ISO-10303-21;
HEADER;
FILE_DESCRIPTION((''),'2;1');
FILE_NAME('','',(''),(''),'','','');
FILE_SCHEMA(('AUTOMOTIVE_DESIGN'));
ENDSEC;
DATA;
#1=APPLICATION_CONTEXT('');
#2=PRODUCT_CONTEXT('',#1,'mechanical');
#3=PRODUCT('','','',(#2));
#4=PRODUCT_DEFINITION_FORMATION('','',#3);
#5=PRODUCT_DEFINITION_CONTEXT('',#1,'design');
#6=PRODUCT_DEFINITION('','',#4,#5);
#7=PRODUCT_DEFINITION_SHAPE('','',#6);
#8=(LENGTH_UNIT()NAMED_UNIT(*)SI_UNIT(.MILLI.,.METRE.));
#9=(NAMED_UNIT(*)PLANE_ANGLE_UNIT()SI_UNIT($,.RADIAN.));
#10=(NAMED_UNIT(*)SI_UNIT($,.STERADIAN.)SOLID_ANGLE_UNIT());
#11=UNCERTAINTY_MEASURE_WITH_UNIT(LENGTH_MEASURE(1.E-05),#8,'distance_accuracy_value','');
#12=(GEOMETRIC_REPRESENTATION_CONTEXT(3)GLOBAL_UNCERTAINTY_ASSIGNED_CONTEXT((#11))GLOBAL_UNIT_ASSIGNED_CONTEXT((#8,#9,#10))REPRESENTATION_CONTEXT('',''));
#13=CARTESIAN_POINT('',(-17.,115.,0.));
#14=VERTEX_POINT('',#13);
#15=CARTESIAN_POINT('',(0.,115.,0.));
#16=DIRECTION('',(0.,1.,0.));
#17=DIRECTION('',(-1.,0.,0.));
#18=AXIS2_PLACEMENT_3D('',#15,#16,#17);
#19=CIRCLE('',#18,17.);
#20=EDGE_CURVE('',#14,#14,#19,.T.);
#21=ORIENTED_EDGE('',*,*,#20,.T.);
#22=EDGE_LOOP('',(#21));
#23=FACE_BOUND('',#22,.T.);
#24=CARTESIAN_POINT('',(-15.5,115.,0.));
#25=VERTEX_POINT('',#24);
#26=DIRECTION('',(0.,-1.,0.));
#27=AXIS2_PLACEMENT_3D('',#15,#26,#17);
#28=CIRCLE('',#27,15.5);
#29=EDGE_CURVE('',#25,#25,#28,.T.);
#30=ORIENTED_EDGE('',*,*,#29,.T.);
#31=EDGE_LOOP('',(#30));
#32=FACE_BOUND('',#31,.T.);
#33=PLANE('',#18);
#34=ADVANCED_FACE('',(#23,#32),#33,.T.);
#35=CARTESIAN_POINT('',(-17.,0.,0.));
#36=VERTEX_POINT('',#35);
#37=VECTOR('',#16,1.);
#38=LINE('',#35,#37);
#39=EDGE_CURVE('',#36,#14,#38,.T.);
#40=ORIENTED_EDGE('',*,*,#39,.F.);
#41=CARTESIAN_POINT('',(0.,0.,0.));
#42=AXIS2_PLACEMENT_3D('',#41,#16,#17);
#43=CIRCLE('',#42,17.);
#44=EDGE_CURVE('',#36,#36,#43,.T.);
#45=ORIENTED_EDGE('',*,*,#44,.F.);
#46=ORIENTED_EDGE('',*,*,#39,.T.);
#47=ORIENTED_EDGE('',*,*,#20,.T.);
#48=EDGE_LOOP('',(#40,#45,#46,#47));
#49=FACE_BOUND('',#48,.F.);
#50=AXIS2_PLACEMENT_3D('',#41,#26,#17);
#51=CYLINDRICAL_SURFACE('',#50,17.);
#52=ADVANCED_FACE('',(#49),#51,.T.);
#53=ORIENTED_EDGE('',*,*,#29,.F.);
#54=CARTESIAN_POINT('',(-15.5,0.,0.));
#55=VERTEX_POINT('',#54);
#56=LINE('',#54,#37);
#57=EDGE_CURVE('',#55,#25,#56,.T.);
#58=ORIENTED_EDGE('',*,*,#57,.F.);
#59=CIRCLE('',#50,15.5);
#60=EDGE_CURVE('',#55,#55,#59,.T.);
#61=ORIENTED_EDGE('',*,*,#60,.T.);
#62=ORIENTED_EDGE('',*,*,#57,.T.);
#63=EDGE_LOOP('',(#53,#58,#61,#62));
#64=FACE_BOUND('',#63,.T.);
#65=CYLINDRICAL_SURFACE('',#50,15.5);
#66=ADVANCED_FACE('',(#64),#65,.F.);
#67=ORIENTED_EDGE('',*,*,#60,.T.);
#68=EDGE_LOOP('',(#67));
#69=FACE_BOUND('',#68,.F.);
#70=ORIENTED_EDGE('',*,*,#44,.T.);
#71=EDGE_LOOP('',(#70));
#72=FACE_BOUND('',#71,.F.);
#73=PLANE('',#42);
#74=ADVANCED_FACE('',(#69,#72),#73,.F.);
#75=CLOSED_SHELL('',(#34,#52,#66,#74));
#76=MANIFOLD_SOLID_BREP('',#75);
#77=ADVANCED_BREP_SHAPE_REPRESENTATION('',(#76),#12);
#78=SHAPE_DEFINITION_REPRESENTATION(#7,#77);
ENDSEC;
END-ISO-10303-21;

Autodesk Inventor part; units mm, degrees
ref_plane "YZ Plane" through (0, 0, 0) normal (1, 0, 0) x (0, 1, 0)
ref_plane "XZ Plane" through (0, 0, 0) normal (0, 1, 0) x (-1, 0, 0)
ref_plane "XY Plane" through (0, 0, 0) normal (0, 0, 1) x (1, 0, 0)
sketch "Sketch1" plane through (0, 0, 0) normal (0, 1, 0) x (-1, 0, 0)
  circle A0 centre (0, 0) radius 17
  dimension "d0" = 34
extrude "Extrusion1" add sketch "Sketch1" along normal blind 115
shell "Shell1" thickness 1.5 removed faces 2 at (6.0401, 0, -5.7878) at (6.0401, 115, -5.7878)
properties part number "tubo_coprisiringa"
